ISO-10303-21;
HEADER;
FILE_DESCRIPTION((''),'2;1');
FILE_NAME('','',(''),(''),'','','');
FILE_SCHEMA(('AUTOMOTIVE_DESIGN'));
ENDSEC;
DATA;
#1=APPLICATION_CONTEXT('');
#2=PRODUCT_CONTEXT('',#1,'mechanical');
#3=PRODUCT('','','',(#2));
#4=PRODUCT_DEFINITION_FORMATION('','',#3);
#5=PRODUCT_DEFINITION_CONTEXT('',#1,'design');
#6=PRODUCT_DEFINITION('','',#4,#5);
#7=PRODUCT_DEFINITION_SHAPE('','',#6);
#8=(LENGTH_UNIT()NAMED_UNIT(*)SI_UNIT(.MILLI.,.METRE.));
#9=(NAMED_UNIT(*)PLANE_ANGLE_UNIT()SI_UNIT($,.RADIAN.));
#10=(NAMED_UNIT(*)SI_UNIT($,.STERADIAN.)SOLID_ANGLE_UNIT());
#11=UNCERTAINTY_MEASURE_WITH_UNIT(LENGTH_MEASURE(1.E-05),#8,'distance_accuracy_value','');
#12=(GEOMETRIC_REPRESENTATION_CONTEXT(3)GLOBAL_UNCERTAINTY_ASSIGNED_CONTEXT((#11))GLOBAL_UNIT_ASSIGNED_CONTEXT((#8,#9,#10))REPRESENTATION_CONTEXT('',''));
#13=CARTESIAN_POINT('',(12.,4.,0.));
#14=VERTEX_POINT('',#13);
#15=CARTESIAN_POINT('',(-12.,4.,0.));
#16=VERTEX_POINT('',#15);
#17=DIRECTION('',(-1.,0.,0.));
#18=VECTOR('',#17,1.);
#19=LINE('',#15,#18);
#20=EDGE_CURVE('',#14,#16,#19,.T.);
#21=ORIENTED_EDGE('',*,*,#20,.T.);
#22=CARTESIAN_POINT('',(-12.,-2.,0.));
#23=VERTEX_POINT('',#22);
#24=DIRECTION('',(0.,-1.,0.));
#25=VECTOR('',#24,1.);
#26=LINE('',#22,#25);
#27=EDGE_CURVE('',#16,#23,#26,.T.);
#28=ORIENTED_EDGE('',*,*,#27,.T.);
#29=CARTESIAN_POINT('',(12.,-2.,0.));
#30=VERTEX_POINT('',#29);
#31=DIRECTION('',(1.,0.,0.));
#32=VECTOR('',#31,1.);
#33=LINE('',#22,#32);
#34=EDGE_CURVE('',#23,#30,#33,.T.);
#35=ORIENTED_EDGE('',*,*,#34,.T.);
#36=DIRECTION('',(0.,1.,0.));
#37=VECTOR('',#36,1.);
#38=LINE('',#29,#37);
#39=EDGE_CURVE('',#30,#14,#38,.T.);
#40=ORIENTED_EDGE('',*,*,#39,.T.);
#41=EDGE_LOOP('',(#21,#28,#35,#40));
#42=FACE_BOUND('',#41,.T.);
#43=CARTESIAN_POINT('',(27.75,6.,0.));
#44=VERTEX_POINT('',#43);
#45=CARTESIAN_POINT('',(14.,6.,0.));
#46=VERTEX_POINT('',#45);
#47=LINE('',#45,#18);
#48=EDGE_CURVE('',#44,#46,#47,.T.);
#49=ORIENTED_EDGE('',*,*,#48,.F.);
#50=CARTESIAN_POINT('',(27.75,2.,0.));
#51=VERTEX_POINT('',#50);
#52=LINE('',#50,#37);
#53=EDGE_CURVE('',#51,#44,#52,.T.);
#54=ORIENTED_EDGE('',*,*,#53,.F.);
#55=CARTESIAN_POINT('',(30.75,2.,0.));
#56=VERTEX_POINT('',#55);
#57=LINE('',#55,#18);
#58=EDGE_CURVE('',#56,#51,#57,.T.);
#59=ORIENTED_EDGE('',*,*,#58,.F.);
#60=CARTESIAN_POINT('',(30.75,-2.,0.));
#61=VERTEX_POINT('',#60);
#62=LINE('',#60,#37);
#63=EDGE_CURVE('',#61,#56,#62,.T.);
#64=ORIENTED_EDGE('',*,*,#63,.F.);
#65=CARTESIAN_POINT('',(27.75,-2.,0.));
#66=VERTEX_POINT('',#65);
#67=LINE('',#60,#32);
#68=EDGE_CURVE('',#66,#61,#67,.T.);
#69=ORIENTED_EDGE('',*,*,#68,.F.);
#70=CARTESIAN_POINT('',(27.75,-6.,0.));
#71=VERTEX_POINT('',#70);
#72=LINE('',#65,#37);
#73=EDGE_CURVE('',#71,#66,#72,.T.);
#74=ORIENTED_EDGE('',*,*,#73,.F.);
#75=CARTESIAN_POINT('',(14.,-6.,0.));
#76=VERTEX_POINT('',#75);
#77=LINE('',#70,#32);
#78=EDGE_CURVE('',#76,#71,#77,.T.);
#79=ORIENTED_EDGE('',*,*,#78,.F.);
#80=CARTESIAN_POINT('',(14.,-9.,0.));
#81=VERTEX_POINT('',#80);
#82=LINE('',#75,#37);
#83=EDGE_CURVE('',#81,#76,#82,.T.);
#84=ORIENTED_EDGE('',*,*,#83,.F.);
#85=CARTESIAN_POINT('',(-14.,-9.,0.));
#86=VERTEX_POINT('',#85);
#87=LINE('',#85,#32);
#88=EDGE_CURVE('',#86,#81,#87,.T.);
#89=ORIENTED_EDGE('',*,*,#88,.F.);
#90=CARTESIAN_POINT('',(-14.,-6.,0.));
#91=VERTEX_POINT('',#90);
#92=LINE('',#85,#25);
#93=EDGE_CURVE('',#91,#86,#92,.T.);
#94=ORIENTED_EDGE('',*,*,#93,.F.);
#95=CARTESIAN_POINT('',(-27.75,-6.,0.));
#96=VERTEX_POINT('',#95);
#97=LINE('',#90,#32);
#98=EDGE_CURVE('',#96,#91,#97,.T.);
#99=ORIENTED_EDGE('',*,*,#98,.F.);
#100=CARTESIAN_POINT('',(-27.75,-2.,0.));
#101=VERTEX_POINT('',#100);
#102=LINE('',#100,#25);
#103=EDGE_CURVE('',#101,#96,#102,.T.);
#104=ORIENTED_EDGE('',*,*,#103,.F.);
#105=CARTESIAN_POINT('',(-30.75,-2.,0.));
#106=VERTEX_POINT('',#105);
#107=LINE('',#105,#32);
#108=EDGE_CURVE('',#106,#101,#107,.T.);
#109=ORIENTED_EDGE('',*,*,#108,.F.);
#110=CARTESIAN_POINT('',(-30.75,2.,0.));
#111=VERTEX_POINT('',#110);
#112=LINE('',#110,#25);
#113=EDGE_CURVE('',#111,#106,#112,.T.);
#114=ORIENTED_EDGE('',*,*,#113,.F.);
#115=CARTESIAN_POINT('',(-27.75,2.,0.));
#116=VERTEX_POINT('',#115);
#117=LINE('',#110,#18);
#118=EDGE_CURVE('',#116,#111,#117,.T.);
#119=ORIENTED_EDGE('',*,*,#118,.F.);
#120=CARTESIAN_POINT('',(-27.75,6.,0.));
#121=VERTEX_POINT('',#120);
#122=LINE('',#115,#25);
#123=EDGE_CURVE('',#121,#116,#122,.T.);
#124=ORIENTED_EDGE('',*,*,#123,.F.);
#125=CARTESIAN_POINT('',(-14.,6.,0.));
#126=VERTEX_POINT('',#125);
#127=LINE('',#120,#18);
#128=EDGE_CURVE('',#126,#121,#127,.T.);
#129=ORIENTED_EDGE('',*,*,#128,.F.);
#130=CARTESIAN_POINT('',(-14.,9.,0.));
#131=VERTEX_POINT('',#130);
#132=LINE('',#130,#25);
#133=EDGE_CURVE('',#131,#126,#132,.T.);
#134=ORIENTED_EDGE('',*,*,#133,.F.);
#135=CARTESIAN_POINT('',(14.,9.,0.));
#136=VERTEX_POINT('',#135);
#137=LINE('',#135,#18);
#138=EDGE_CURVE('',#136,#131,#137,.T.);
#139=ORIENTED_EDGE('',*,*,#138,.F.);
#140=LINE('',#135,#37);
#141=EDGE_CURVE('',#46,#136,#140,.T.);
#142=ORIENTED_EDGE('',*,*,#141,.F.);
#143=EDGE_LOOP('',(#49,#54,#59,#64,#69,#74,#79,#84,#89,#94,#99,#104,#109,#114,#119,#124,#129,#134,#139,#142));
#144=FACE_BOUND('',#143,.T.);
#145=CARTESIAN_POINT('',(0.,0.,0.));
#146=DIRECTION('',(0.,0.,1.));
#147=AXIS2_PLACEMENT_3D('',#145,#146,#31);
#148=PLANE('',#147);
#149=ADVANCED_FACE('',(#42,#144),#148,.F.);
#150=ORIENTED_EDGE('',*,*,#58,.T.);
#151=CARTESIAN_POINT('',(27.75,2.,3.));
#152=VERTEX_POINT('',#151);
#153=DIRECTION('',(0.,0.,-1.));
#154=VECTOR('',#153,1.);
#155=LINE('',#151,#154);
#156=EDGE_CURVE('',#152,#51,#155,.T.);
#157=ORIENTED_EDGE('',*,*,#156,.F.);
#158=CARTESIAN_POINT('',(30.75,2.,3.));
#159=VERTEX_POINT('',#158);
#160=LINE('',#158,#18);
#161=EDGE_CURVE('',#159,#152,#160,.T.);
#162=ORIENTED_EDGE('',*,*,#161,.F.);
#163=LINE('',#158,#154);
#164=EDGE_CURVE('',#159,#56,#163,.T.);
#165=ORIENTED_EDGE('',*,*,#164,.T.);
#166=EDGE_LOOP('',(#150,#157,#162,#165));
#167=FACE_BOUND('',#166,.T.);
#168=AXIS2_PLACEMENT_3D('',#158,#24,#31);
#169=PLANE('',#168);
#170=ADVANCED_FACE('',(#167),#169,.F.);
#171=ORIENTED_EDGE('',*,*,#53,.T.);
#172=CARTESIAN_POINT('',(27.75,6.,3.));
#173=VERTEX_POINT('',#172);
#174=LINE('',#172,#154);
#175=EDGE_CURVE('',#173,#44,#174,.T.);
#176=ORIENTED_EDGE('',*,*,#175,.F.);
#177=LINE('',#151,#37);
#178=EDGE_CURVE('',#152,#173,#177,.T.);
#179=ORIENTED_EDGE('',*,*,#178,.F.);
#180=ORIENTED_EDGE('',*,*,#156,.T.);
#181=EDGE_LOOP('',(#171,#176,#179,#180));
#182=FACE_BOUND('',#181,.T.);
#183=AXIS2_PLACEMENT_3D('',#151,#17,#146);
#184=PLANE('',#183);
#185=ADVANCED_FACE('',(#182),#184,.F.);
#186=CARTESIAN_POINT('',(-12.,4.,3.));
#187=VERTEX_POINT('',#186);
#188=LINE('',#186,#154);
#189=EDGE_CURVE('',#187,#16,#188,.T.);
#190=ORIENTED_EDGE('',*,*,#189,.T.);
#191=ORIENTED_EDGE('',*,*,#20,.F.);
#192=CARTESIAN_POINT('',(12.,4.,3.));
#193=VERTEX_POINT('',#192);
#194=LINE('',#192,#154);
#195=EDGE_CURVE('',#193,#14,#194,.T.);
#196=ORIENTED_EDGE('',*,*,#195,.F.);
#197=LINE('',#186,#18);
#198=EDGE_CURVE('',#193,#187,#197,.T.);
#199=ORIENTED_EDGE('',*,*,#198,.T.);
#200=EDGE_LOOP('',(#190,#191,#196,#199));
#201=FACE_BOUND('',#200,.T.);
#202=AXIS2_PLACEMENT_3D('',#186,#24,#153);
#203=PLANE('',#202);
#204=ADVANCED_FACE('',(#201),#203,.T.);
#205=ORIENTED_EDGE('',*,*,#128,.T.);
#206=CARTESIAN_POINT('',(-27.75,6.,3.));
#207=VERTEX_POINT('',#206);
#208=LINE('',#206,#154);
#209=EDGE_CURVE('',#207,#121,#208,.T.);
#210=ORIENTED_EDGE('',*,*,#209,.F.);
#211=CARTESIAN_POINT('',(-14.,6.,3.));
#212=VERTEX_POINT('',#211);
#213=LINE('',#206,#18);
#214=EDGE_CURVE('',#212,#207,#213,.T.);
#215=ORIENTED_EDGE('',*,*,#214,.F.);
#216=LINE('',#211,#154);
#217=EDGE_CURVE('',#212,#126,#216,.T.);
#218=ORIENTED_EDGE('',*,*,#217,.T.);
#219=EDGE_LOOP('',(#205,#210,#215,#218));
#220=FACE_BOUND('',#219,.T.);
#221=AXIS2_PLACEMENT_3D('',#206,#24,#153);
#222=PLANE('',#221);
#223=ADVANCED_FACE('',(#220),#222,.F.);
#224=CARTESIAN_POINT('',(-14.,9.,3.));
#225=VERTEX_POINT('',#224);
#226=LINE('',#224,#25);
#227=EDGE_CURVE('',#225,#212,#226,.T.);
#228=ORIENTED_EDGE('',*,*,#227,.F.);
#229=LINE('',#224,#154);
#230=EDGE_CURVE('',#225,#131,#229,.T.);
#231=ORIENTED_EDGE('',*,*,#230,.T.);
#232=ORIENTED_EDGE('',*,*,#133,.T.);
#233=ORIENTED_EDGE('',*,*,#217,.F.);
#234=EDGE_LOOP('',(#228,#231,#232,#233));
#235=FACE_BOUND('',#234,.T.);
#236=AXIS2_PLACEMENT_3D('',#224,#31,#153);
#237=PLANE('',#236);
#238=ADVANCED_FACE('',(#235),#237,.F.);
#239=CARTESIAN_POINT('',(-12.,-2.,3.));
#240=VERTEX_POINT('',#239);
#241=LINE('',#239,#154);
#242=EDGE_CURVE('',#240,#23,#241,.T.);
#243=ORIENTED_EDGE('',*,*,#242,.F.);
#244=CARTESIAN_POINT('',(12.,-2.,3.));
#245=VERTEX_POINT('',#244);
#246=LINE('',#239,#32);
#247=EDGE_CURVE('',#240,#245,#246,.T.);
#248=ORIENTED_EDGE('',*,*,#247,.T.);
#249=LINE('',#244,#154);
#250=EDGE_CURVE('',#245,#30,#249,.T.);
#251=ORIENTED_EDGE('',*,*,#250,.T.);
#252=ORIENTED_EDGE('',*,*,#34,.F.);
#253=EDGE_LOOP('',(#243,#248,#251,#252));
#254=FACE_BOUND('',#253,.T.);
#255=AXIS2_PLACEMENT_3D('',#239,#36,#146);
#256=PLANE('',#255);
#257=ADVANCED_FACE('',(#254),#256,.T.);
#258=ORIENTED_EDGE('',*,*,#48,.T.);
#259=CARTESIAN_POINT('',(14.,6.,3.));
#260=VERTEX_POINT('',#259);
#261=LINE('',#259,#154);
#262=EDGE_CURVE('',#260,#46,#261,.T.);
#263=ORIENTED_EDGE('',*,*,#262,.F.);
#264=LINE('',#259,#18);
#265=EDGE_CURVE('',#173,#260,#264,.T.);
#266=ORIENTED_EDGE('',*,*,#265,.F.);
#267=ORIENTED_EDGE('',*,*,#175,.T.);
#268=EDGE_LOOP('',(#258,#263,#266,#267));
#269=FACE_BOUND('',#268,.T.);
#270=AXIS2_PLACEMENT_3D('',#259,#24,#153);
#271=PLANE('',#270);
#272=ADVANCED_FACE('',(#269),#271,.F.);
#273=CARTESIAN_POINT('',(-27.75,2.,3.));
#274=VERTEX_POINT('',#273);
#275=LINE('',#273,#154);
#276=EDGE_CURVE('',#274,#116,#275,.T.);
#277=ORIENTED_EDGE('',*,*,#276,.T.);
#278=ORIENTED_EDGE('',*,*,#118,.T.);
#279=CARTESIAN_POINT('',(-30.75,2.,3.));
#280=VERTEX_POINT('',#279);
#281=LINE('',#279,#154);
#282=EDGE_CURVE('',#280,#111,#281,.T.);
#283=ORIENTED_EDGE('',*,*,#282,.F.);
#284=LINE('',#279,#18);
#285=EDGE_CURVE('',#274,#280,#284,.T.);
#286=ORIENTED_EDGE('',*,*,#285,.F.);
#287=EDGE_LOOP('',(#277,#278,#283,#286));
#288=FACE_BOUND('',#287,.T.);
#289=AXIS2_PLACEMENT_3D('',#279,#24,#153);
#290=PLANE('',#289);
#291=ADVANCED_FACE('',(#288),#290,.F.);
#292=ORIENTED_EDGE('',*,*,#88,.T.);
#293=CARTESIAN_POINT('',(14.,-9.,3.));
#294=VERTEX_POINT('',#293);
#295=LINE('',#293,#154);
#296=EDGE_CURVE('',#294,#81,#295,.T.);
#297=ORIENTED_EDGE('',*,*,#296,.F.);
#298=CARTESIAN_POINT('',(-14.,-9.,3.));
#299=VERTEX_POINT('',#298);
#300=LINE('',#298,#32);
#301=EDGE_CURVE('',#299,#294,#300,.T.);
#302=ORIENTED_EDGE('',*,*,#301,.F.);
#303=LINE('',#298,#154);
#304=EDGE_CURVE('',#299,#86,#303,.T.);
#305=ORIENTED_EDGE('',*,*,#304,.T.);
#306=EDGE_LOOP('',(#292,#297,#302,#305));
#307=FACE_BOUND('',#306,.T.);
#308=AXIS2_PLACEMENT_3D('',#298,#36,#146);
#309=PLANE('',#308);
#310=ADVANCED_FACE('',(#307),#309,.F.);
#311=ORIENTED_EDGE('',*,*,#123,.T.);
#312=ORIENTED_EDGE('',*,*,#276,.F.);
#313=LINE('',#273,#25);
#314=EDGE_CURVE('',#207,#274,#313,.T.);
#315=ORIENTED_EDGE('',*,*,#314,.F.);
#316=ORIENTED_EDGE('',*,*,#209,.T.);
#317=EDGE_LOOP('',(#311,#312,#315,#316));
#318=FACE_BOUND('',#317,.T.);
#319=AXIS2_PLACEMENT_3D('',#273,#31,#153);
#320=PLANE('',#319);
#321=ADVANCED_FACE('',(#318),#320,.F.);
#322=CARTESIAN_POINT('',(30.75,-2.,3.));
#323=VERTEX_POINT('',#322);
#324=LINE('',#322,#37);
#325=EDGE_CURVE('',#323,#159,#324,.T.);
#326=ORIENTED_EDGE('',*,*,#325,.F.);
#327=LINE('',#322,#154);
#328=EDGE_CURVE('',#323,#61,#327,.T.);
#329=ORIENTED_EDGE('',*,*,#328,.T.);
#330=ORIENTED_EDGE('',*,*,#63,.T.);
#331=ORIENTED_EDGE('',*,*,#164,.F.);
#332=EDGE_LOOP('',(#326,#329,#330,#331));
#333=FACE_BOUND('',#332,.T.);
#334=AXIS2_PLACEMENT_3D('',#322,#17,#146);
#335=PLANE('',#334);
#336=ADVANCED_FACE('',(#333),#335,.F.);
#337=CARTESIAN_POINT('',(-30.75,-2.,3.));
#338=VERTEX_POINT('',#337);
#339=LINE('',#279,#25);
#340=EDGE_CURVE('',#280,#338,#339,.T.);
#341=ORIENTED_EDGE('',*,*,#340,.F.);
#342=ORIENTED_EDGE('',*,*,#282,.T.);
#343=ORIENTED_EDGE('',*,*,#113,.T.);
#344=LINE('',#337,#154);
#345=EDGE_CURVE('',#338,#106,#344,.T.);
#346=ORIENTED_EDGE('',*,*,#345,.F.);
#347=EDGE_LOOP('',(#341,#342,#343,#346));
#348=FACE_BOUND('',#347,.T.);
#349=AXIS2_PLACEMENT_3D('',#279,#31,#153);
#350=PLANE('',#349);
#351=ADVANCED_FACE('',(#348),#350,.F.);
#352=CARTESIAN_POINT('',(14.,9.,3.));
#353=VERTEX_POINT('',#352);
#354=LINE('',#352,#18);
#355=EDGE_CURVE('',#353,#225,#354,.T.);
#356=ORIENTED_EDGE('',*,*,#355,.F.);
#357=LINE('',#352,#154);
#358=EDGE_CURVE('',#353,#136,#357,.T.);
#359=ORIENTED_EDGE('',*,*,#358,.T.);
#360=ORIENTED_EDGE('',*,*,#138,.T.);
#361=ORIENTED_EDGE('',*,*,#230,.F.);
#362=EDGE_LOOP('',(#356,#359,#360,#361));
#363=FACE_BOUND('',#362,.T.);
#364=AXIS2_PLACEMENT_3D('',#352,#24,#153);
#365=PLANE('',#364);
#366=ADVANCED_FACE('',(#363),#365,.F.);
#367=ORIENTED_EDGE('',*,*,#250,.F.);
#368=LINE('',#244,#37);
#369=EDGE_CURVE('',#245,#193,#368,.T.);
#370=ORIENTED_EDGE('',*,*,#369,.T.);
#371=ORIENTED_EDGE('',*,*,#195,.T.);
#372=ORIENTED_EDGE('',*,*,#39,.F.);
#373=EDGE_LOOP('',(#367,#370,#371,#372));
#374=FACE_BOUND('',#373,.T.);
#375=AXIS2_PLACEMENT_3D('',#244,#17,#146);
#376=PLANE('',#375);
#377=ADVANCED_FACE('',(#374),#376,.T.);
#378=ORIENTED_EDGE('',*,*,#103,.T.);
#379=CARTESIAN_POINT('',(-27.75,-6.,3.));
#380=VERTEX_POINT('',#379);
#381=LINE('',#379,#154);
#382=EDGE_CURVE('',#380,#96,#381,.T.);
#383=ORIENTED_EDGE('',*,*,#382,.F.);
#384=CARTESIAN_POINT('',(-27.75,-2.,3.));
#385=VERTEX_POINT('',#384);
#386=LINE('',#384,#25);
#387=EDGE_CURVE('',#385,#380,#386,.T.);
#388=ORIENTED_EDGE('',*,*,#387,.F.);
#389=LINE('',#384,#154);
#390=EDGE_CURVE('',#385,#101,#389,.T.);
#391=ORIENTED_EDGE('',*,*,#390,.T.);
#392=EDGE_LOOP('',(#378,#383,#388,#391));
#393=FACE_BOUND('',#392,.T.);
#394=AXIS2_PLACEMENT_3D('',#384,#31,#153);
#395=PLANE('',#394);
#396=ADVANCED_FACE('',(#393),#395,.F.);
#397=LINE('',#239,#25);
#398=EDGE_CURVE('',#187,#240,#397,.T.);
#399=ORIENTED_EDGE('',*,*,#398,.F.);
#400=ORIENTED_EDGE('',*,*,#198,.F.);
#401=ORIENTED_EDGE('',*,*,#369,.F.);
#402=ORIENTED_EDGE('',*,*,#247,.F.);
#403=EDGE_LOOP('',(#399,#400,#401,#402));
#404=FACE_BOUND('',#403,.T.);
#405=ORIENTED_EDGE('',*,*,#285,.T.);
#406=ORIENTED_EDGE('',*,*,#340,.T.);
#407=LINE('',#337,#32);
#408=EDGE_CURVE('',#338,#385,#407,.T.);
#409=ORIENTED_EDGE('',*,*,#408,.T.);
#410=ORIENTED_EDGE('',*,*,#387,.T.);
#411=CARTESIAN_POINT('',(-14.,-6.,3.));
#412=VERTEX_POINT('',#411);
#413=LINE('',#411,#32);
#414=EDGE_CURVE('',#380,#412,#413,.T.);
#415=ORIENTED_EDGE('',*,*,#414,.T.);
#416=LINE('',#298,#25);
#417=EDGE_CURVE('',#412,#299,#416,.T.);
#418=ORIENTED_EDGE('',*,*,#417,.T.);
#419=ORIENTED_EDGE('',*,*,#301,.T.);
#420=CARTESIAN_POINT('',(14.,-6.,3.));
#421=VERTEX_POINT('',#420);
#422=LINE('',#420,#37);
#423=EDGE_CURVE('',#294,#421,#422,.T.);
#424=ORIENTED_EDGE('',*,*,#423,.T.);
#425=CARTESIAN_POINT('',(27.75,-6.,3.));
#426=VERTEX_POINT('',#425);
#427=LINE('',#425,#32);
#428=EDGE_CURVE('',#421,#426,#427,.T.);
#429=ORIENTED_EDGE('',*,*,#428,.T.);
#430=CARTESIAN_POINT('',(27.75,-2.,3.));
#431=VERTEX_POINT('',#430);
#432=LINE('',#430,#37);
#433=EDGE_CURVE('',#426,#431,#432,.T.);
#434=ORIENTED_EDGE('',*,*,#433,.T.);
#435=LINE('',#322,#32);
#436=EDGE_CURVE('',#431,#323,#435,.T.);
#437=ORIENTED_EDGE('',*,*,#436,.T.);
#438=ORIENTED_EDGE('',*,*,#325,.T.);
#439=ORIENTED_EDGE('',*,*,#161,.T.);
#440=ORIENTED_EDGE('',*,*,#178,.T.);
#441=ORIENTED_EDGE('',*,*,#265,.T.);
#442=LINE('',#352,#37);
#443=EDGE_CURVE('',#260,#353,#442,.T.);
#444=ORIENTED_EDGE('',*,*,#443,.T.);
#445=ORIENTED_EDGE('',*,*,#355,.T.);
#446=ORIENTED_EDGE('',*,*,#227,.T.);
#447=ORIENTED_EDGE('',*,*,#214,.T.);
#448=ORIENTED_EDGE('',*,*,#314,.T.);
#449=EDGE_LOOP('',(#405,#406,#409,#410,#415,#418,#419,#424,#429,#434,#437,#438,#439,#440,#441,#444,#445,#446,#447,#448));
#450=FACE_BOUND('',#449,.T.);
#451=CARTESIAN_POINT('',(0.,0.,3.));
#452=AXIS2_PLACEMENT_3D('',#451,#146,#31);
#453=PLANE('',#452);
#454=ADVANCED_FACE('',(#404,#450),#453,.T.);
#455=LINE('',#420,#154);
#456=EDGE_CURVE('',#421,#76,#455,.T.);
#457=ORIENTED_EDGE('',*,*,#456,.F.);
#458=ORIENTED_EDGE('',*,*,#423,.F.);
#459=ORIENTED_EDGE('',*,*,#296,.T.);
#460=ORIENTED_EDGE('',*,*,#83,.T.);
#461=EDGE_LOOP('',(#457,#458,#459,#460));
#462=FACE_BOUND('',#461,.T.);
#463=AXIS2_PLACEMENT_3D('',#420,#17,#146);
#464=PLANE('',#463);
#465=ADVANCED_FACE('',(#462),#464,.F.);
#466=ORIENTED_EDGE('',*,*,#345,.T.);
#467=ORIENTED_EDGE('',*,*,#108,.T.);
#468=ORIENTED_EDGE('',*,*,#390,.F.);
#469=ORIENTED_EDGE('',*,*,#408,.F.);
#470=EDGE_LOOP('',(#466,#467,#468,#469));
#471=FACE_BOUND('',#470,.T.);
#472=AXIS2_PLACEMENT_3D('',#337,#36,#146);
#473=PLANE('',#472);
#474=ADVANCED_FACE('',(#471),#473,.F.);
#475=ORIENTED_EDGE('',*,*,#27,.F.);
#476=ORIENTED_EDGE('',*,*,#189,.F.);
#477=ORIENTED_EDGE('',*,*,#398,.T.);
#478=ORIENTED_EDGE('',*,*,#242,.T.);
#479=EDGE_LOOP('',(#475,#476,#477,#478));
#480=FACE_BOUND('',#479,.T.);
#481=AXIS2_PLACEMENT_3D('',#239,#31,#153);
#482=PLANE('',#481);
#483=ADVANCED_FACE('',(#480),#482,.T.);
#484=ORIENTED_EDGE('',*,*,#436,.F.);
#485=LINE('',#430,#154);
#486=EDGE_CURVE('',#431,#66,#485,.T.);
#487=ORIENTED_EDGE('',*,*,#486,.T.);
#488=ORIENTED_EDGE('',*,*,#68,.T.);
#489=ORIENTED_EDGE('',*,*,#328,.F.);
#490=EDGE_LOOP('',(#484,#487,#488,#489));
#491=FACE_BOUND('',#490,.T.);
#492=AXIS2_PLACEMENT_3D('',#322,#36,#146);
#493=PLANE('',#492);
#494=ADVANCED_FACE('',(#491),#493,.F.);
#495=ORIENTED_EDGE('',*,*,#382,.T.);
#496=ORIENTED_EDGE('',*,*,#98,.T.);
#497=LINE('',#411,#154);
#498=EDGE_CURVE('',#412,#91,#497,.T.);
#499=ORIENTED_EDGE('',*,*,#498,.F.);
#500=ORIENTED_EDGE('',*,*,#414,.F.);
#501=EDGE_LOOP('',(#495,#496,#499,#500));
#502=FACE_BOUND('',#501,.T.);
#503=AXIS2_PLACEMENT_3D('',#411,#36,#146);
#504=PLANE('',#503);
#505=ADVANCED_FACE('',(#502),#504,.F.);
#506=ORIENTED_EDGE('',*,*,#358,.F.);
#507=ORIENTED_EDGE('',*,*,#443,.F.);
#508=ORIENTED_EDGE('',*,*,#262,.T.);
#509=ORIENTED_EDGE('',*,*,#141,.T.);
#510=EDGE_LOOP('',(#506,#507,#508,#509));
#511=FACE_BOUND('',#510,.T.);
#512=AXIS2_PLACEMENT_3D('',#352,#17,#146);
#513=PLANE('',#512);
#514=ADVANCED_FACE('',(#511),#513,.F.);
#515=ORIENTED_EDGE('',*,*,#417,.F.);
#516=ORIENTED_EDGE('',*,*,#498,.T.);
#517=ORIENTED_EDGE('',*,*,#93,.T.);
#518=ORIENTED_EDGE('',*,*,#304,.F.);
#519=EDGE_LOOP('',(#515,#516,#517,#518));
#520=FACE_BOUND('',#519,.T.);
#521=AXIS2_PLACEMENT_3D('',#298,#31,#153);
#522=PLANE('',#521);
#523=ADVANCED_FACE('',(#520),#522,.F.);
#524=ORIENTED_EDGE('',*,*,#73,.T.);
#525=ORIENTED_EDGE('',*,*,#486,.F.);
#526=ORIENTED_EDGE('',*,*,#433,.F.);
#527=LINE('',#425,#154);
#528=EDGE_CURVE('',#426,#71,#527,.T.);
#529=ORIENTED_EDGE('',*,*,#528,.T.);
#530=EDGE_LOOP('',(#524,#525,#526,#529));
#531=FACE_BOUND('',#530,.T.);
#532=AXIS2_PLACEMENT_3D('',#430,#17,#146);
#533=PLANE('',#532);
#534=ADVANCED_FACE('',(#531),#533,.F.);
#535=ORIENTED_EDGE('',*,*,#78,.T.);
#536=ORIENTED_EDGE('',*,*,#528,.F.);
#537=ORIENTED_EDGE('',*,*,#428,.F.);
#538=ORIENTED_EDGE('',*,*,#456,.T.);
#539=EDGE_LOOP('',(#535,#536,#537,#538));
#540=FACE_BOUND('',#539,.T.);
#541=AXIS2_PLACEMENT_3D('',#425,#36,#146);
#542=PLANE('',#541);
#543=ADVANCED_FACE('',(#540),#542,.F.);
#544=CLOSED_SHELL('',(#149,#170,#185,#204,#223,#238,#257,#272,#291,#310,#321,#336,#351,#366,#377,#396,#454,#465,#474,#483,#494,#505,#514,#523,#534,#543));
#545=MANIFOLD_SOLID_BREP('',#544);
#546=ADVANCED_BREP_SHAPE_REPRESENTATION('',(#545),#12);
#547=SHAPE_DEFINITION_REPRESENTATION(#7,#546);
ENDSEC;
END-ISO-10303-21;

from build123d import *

# Parameters (mm, degrees)
SKETCH1_W           = 24
SKETCH1_H           = 6
BOSS_EXTRUDE1_DEPTH = 3


with BuildPart() as part:
    # Sketch1 → Boss-Extrude1 (new body)
    with BuildSketch(Plane.XY):
        Polygon((-14, -9), (14, -9), (14, -6), (27.75, -6), (27.75, -2), (30.75, -2), (30.75, 2), (27.75, 2), (27.75, 6), (14, 6), (14, 9), (-14, 9), (-14, 6), (-27.75, 6), (-27.75, 2), (-30.75, 2), (-30.75, -2), (-27.75, -2), (-27.75, -6), (-14, -6), align=None)
        with Locations((0, 1)):
            Rectangle(SKETCH1_W, SKETCH1_H, mode=Mode.SUBTRACT)
    extrude(amount=BOSS_EXTRUDE1_DEPTH)


solid = part.part
